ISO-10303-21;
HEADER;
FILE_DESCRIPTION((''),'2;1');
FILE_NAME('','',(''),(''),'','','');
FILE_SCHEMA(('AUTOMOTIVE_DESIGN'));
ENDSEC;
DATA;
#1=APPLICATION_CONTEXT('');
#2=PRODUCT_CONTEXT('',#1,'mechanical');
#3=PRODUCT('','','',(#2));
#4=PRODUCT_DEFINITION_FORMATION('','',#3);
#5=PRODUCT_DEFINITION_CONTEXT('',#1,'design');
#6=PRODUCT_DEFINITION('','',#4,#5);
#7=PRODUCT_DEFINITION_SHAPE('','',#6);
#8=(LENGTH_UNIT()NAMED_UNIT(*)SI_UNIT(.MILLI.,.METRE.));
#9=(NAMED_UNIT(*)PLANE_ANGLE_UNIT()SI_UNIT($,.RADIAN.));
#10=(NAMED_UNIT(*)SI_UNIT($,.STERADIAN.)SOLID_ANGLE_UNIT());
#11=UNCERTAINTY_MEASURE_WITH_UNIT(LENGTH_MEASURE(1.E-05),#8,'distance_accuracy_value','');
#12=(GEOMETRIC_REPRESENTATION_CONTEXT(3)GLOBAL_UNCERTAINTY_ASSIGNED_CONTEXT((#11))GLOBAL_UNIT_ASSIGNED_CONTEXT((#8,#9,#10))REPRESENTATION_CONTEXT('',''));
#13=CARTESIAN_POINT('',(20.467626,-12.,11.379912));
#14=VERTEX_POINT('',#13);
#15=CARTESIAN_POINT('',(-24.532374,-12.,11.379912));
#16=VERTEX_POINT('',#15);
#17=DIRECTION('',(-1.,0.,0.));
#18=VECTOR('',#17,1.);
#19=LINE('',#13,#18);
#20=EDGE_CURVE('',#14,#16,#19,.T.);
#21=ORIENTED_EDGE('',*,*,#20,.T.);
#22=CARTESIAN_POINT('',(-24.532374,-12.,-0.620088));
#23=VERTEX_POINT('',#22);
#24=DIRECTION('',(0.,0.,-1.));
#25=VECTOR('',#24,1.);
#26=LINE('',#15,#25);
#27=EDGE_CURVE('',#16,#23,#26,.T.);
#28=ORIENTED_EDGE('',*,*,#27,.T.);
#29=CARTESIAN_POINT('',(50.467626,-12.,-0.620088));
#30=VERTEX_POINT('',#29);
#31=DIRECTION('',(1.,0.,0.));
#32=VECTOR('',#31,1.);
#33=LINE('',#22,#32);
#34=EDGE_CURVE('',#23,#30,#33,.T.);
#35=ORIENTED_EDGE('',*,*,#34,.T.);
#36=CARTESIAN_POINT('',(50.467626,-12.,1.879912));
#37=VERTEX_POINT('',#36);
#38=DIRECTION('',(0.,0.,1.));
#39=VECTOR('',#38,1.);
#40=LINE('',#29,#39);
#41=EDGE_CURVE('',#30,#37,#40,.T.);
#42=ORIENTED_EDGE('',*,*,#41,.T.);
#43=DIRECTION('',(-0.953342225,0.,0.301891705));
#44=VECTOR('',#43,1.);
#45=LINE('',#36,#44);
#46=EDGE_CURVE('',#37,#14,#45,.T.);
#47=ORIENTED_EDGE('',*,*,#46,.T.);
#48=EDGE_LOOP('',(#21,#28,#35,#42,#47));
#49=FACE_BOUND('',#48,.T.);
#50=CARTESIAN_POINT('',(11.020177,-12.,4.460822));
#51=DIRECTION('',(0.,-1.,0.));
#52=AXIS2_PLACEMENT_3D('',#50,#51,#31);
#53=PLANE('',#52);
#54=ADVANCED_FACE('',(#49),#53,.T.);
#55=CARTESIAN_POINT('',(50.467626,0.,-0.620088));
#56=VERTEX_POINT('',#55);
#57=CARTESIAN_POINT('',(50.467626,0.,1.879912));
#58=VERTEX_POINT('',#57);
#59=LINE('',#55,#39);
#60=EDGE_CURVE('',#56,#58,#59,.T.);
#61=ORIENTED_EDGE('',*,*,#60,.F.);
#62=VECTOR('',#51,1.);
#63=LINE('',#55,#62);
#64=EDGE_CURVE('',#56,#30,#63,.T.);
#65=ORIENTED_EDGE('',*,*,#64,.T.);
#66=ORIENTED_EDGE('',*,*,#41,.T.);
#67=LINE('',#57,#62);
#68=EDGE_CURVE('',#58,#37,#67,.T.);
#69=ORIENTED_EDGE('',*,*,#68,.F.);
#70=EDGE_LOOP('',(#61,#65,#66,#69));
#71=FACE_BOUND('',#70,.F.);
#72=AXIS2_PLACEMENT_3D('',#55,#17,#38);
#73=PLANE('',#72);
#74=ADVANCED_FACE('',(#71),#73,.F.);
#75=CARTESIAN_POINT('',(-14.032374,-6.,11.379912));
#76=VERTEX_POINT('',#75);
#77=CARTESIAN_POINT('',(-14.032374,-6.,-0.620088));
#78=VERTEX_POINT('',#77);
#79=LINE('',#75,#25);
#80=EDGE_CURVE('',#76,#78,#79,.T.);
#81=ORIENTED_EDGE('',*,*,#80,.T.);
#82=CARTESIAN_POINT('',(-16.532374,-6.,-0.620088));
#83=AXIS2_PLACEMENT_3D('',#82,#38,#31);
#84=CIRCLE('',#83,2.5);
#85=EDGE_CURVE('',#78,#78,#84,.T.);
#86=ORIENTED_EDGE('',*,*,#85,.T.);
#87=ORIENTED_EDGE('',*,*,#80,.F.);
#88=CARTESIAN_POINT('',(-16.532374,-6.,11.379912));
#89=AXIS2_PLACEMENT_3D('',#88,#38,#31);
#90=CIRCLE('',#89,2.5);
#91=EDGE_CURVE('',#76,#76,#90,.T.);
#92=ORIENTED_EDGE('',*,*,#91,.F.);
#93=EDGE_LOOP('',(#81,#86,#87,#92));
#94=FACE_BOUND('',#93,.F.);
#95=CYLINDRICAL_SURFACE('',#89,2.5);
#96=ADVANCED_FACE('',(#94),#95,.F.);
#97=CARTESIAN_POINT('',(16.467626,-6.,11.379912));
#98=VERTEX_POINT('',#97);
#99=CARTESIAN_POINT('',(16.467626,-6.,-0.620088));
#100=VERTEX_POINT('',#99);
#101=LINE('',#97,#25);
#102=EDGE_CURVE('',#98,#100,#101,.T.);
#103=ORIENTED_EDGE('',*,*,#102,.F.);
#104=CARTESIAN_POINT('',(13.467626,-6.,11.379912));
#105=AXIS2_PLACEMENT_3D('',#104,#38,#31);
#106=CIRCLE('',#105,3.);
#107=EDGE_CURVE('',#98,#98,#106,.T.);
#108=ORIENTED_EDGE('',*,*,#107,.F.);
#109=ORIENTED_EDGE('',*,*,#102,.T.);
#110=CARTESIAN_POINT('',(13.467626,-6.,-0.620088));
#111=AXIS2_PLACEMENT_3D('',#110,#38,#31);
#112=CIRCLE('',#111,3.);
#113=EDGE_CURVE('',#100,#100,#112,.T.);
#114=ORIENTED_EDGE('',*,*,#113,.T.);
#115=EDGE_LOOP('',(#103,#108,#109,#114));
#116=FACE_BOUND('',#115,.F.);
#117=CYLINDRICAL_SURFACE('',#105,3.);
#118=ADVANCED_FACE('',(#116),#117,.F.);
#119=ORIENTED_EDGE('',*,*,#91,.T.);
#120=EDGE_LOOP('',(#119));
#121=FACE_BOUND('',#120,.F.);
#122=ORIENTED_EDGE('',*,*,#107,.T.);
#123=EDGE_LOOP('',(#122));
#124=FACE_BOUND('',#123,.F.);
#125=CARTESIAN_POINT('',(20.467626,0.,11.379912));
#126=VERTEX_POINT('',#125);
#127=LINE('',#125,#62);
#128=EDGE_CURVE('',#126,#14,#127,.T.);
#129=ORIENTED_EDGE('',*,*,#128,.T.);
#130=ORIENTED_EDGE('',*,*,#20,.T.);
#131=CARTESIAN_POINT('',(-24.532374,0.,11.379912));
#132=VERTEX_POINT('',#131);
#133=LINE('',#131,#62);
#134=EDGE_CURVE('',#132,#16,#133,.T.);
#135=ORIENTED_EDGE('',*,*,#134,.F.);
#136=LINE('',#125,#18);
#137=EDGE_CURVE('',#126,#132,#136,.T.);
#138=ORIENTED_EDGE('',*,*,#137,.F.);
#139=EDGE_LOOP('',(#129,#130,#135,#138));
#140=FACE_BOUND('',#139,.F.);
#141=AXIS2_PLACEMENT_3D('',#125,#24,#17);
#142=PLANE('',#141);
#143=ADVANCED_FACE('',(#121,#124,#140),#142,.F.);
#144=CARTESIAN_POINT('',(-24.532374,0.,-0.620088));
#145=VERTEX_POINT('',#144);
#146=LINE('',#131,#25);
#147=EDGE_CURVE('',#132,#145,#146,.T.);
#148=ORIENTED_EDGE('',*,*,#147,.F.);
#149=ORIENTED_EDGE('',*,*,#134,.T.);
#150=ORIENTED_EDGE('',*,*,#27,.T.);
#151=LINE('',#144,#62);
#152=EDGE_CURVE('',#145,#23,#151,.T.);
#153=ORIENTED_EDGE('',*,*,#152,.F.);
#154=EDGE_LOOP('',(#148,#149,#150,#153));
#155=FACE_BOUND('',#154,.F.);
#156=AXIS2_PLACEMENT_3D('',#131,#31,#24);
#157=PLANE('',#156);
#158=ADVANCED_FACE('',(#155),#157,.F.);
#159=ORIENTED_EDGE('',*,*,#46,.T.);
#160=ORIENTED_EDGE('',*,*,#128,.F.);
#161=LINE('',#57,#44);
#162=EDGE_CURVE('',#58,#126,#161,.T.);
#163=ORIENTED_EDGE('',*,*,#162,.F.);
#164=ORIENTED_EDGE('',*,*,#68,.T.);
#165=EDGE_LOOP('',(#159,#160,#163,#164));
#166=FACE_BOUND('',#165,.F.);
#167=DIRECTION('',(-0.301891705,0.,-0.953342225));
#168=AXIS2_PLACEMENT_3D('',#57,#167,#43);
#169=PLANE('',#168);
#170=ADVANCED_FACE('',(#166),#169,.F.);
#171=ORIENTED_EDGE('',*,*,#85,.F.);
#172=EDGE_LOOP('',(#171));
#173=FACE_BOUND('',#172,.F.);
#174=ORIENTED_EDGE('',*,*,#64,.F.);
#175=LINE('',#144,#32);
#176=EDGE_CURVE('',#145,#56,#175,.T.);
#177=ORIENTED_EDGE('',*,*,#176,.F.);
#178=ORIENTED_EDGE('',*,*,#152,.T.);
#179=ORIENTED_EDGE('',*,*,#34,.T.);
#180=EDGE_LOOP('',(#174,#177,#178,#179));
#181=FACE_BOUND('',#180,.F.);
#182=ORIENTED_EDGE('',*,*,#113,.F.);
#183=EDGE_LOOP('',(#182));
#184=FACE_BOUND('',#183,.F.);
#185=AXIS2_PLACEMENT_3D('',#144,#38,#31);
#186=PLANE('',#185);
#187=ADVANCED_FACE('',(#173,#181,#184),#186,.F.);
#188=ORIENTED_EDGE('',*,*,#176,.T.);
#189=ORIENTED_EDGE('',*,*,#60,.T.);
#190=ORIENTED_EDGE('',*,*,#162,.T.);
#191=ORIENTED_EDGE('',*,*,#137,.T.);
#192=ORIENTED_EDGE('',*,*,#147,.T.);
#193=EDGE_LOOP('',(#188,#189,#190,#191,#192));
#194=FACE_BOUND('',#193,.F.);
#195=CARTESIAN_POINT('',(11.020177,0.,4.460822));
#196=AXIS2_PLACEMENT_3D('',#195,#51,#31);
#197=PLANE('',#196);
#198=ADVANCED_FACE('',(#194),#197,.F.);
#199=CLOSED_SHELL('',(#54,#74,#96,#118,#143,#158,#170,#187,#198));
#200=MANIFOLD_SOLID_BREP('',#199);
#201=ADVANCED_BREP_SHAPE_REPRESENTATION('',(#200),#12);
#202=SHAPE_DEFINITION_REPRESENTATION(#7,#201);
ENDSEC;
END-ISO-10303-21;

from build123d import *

# Parameters (mm, degrees)
F1_DEPTH = 12
F2_R     = 2.5
F2_R_2   = 3
F3_DEPTH = 25


with BuildPart() as f1:
    # F0 (on Front) → F1 (new body)
    with BuildSketch(Plane.XZ):
        Polygon((20.467626, 11.379912), (-24.532374, 11.379912), (-24.532374, -0.620088), (50.467626, -0.620088), (50.467626, 1.879912), align=None)
    extrude(amount=F1_DEPTH)

    # F2 (on face) → F3 (cut)
    with BuildSketch(Plane.XY.offset(11.379912)):
        with Locations((-16.532374, -6)):
            Circle(F2_R)
        with Locations((13.467626, -6)):
            Circle(F2_R_2)
    extrude(amount=-F3_DEPTH, mode=Mode.SUBTRACT)


solid = f1.part
